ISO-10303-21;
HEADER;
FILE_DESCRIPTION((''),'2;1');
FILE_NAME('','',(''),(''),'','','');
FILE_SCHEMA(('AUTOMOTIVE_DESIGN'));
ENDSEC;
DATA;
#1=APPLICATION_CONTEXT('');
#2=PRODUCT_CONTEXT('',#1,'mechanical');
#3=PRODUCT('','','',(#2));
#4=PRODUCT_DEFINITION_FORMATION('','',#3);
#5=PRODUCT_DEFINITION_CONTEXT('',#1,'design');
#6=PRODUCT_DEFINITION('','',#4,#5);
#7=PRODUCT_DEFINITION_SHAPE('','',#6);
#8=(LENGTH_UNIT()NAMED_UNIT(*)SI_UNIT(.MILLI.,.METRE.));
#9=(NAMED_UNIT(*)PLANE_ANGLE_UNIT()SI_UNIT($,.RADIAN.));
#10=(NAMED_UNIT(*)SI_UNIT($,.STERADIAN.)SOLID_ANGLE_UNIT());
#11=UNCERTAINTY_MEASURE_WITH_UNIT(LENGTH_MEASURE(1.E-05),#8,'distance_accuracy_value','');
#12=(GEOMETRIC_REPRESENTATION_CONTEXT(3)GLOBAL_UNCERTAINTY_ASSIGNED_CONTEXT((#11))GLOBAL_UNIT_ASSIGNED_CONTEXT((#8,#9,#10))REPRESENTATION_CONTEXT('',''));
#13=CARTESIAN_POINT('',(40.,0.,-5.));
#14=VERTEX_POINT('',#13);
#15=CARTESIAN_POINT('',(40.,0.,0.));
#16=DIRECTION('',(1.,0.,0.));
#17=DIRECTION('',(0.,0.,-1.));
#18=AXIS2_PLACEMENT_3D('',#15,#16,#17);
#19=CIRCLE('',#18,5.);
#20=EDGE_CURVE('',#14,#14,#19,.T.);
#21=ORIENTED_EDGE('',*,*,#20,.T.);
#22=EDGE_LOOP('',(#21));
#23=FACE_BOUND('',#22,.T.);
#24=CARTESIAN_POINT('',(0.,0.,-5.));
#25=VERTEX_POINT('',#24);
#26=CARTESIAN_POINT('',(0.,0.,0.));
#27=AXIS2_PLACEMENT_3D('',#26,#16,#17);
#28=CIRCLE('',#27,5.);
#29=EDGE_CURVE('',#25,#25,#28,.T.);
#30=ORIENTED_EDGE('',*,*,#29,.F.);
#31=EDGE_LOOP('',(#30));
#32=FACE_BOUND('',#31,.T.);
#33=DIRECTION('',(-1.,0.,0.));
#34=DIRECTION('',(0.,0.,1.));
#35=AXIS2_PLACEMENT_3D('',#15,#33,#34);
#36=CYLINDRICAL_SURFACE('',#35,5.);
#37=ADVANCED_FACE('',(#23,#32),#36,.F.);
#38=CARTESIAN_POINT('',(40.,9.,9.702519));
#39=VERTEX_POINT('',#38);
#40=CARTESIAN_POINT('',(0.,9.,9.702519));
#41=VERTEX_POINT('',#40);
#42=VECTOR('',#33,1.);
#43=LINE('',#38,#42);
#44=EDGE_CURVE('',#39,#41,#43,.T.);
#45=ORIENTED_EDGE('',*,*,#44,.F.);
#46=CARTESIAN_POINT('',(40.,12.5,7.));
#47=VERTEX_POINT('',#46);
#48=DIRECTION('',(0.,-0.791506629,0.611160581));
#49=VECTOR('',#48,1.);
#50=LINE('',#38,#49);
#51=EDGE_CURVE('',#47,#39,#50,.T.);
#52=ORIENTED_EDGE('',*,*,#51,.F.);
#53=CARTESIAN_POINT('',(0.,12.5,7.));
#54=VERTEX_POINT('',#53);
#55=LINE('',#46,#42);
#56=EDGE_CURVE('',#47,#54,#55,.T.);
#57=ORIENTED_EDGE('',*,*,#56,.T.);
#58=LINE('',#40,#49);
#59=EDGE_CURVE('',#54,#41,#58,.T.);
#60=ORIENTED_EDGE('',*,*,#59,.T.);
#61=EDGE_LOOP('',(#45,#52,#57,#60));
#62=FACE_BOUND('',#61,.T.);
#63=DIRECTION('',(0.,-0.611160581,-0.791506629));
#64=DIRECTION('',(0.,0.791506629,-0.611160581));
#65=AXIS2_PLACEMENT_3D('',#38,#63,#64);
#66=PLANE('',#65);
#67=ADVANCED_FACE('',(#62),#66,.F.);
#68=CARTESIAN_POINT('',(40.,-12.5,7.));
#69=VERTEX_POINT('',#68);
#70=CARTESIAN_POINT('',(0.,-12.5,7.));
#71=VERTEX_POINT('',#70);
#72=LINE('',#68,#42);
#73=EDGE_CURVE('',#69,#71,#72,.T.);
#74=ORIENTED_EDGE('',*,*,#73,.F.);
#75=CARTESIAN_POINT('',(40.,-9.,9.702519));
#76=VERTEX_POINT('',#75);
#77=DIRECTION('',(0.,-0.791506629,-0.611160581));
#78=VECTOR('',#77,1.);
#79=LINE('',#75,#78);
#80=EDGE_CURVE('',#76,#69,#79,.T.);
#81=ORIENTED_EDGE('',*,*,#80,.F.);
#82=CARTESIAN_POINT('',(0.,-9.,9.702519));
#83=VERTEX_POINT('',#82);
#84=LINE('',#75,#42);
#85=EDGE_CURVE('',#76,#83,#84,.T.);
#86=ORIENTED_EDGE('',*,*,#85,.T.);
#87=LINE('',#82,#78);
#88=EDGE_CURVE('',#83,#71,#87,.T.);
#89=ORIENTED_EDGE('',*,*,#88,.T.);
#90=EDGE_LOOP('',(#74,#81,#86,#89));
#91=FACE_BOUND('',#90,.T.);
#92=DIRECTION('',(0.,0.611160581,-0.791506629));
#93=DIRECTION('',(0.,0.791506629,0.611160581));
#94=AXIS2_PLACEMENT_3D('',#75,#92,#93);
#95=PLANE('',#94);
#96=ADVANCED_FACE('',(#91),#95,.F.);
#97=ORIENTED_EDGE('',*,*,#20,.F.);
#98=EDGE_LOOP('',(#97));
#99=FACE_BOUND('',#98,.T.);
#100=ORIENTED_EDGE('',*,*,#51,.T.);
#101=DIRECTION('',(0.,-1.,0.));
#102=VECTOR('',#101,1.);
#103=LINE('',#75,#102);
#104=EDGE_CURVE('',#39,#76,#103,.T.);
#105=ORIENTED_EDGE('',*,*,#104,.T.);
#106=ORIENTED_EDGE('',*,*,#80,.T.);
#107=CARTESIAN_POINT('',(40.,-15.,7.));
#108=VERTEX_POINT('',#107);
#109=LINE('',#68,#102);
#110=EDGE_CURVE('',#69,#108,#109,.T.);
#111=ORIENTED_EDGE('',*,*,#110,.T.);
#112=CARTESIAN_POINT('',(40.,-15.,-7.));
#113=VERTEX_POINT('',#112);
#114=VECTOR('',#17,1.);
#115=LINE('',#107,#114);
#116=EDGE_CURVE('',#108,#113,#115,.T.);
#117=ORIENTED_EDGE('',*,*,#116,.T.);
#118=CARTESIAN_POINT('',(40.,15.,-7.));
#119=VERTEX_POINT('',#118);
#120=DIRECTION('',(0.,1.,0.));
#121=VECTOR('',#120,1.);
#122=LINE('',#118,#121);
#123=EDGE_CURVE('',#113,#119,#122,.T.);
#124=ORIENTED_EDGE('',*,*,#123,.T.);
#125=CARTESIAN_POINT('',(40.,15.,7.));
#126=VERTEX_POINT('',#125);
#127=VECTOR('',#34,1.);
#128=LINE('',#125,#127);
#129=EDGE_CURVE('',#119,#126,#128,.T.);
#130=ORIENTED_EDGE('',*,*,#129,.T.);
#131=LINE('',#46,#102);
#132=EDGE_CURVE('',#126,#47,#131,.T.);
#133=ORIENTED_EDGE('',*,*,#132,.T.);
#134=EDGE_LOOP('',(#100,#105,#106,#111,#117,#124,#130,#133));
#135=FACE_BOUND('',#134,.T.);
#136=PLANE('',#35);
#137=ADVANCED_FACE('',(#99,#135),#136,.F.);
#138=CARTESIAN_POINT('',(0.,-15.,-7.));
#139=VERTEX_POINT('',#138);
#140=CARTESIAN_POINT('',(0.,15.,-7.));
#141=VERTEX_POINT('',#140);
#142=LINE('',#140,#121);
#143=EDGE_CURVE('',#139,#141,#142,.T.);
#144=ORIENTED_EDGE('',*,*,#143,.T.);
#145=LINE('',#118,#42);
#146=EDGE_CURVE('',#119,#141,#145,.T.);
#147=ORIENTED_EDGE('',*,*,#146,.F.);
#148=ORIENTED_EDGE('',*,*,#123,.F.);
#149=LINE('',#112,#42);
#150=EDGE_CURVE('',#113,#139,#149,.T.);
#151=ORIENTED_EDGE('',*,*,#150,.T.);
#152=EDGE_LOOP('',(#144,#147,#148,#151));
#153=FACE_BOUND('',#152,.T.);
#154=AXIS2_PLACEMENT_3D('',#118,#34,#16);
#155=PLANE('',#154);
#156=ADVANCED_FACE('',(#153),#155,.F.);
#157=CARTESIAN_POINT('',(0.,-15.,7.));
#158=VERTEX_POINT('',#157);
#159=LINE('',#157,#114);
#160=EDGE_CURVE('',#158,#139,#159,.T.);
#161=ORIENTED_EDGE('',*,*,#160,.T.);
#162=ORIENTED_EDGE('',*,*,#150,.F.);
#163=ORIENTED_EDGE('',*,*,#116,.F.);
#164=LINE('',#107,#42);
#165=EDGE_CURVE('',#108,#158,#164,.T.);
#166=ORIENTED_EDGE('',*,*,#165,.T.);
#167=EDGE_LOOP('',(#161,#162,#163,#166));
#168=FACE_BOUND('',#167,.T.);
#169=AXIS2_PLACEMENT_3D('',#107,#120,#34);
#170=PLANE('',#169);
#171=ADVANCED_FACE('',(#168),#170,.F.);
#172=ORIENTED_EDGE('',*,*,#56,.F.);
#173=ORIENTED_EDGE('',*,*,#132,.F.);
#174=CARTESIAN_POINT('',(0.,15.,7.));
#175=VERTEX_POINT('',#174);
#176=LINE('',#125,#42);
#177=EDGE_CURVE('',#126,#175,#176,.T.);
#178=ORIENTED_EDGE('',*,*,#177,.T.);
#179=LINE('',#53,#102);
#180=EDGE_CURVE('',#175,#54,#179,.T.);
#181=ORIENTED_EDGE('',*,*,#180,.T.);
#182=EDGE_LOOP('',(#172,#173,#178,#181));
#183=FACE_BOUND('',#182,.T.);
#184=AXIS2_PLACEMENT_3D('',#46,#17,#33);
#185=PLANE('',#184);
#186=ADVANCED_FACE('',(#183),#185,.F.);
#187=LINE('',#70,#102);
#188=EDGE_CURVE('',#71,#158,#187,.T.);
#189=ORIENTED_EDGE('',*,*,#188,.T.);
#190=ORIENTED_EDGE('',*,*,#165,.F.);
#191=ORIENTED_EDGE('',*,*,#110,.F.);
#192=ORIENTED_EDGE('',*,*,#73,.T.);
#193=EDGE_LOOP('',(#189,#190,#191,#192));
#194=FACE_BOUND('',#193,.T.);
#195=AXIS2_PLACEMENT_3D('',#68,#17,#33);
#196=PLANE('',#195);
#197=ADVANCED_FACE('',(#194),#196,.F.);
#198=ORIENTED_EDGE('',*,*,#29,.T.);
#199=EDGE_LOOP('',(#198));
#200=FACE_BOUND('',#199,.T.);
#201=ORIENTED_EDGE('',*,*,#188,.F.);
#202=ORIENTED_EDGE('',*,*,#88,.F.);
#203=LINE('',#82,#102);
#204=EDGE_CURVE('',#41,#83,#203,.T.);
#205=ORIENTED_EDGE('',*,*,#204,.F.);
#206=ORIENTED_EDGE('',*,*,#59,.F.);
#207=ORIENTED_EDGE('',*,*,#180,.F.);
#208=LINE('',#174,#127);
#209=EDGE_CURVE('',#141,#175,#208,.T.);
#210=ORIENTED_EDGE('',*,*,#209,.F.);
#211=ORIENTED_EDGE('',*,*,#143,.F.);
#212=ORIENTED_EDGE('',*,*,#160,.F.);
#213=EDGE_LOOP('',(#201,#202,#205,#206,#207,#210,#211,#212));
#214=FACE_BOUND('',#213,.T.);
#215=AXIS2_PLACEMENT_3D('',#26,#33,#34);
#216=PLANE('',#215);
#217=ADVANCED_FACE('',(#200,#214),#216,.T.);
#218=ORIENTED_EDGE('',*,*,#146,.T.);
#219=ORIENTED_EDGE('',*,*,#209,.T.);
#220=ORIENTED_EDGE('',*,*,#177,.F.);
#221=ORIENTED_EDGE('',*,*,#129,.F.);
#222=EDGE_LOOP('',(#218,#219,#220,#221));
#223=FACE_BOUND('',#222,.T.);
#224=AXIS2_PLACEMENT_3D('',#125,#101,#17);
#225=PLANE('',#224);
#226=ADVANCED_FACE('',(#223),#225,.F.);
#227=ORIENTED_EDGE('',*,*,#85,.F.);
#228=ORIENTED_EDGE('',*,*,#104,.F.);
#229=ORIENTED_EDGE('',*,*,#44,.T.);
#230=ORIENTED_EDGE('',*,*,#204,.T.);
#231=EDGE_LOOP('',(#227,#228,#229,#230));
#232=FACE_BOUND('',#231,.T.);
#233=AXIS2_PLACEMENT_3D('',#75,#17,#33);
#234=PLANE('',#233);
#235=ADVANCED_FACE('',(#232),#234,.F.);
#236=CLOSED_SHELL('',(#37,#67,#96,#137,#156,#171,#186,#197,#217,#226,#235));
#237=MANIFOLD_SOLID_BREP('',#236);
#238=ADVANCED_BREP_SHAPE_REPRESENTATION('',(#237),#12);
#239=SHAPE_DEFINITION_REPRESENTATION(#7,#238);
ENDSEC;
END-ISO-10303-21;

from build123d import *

# Parameters (mm, degrees)
SKETCH1_R           = 5
BOSS_EXTRUDE1_DEPTH = 40


with BuildPart() as part:
    # Sketch1 → Boss-Extrude1 (new body)
    with BuildSketch(Plane(origin=(0, 0, 0), x_dir=(0, 0, -1), z_dir=(1, 0, 0))):
        Polygon((-9.702519419, -9), (-9.702519419, 9), (-7, 12.5), (-7, 15), (7, 15), (7, -15), (-7, -15), (-7, -12.5), align=None)
        Circle(SKETCH1_R, mode=Mode.SUBTRACT)
    extrude(amount=BOSS_EXTRUDE1_DEPTH)


solid = part.part
